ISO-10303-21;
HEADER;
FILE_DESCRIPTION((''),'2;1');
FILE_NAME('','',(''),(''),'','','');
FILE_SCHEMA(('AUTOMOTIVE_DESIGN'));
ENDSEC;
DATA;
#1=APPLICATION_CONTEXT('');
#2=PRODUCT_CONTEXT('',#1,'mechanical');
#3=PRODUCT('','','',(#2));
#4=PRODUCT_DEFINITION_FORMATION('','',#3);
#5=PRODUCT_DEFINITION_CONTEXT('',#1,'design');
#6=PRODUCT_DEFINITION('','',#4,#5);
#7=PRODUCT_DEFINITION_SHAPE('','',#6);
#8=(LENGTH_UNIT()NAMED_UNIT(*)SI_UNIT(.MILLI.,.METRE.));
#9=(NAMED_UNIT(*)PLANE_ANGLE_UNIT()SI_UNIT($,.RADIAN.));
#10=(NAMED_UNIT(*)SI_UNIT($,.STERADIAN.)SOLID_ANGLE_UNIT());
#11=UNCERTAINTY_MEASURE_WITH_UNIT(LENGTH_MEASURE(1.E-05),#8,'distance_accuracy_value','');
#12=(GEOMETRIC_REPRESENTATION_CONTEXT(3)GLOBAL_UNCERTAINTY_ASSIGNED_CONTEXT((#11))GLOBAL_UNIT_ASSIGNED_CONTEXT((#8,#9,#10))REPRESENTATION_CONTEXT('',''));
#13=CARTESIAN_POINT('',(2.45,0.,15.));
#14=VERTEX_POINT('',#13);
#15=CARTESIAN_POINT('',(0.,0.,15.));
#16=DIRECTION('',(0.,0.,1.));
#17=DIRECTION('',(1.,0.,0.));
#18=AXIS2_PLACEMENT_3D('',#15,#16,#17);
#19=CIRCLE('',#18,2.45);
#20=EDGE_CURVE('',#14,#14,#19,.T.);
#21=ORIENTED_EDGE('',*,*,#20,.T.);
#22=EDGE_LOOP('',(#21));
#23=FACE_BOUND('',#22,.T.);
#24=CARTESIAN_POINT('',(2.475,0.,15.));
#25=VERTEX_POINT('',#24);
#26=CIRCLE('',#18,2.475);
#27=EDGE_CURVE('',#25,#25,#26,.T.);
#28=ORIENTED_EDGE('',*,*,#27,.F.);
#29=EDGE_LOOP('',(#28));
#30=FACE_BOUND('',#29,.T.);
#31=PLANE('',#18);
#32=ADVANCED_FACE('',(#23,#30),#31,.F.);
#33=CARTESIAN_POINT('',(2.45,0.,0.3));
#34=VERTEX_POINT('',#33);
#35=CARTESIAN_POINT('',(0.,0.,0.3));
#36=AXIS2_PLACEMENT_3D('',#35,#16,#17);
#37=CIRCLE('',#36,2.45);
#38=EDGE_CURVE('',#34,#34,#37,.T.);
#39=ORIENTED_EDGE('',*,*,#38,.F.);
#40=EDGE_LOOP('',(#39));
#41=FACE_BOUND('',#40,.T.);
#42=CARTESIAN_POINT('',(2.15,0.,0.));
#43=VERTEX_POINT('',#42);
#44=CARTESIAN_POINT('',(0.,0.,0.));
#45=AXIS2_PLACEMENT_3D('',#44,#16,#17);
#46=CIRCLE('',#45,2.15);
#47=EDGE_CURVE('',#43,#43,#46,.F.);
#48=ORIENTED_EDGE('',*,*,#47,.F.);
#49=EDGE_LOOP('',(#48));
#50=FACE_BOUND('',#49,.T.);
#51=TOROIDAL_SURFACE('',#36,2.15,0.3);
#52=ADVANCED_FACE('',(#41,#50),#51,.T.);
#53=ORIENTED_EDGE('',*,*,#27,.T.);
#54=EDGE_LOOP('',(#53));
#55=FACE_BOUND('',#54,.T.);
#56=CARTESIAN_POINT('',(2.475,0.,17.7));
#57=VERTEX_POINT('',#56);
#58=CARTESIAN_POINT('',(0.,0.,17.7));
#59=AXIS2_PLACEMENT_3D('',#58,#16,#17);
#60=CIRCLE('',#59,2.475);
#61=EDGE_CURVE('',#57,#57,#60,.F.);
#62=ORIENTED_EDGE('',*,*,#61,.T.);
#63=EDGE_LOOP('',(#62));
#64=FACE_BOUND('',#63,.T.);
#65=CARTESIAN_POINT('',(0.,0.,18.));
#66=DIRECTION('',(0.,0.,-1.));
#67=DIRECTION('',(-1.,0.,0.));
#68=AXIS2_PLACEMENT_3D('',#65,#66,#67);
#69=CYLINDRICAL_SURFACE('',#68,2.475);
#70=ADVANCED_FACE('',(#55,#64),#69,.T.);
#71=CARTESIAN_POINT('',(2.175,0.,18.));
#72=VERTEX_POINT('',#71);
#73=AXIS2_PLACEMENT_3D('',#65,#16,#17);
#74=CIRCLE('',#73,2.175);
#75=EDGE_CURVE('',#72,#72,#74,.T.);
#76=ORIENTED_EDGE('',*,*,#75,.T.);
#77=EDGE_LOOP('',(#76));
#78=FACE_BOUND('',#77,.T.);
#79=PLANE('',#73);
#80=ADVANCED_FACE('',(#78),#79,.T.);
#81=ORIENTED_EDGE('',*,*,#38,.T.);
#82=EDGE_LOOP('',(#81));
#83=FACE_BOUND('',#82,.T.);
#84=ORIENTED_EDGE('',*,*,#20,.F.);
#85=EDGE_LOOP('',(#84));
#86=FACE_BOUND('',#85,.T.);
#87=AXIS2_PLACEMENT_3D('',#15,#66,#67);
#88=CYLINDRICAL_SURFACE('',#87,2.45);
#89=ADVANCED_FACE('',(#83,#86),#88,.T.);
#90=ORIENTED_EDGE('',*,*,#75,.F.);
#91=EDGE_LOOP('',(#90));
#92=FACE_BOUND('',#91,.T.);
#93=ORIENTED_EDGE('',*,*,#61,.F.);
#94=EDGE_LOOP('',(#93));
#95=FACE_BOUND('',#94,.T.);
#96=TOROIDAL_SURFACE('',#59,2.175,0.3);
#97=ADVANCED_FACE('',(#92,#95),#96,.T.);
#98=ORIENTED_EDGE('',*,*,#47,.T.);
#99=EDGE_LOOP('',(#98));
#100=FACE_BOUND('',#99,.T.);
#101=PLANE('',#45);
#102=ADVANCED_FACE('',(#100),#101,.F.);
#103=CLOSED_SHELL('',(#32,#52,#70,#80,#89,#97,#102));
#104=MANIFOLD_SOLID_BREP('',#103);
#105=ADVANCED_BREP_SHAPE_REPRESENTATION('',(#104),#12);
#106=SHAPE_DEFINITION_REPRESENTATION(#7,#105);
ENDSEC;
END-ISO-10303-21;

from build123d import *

# Parameters (mm, degrees)
SKETCH_1_R      = 2.45
EXTRUDE_1_DEPTH = 15
SKETCH_2_R      = 2.475
EXTRUDE_2_DEPTH = 3
FILLET_1_R      = 0.3
FILLET_2_R      = 0.3


with BuildPart() as part:
    # 스케치1 → 보스-돌출1 (new body)
    with BuildSketch(Plane.XY):
        Circle(SKETCH_1_R)
    extrude(amount=EXTRUDE_1_DEPTH)

    # 스케치2 → 보스-돌출2 (add)
    with BuildSketch(Plane.XY.offset(15)):
        Circle(SKETCH_2_R)
    extrude(amount=EXTRUDE_2_DEPTH)

    # 필렛1
    fillet_1_edges = [part.edges().sort_by_distance(p)[0] for p in [
        (-2.475, 0, 18),
    ]]
    fillet(fillet_1_edges, radius=FILLET_1_R)

    # 필렛2
    fillet_2_edges = [part.edges().sort_by_distance(p)[0] for p in [
        (-2.45, 0, 0),
    ]]
    fillet(fillet_2_edges, radius=FILLET_2_R)


solid = part.part
